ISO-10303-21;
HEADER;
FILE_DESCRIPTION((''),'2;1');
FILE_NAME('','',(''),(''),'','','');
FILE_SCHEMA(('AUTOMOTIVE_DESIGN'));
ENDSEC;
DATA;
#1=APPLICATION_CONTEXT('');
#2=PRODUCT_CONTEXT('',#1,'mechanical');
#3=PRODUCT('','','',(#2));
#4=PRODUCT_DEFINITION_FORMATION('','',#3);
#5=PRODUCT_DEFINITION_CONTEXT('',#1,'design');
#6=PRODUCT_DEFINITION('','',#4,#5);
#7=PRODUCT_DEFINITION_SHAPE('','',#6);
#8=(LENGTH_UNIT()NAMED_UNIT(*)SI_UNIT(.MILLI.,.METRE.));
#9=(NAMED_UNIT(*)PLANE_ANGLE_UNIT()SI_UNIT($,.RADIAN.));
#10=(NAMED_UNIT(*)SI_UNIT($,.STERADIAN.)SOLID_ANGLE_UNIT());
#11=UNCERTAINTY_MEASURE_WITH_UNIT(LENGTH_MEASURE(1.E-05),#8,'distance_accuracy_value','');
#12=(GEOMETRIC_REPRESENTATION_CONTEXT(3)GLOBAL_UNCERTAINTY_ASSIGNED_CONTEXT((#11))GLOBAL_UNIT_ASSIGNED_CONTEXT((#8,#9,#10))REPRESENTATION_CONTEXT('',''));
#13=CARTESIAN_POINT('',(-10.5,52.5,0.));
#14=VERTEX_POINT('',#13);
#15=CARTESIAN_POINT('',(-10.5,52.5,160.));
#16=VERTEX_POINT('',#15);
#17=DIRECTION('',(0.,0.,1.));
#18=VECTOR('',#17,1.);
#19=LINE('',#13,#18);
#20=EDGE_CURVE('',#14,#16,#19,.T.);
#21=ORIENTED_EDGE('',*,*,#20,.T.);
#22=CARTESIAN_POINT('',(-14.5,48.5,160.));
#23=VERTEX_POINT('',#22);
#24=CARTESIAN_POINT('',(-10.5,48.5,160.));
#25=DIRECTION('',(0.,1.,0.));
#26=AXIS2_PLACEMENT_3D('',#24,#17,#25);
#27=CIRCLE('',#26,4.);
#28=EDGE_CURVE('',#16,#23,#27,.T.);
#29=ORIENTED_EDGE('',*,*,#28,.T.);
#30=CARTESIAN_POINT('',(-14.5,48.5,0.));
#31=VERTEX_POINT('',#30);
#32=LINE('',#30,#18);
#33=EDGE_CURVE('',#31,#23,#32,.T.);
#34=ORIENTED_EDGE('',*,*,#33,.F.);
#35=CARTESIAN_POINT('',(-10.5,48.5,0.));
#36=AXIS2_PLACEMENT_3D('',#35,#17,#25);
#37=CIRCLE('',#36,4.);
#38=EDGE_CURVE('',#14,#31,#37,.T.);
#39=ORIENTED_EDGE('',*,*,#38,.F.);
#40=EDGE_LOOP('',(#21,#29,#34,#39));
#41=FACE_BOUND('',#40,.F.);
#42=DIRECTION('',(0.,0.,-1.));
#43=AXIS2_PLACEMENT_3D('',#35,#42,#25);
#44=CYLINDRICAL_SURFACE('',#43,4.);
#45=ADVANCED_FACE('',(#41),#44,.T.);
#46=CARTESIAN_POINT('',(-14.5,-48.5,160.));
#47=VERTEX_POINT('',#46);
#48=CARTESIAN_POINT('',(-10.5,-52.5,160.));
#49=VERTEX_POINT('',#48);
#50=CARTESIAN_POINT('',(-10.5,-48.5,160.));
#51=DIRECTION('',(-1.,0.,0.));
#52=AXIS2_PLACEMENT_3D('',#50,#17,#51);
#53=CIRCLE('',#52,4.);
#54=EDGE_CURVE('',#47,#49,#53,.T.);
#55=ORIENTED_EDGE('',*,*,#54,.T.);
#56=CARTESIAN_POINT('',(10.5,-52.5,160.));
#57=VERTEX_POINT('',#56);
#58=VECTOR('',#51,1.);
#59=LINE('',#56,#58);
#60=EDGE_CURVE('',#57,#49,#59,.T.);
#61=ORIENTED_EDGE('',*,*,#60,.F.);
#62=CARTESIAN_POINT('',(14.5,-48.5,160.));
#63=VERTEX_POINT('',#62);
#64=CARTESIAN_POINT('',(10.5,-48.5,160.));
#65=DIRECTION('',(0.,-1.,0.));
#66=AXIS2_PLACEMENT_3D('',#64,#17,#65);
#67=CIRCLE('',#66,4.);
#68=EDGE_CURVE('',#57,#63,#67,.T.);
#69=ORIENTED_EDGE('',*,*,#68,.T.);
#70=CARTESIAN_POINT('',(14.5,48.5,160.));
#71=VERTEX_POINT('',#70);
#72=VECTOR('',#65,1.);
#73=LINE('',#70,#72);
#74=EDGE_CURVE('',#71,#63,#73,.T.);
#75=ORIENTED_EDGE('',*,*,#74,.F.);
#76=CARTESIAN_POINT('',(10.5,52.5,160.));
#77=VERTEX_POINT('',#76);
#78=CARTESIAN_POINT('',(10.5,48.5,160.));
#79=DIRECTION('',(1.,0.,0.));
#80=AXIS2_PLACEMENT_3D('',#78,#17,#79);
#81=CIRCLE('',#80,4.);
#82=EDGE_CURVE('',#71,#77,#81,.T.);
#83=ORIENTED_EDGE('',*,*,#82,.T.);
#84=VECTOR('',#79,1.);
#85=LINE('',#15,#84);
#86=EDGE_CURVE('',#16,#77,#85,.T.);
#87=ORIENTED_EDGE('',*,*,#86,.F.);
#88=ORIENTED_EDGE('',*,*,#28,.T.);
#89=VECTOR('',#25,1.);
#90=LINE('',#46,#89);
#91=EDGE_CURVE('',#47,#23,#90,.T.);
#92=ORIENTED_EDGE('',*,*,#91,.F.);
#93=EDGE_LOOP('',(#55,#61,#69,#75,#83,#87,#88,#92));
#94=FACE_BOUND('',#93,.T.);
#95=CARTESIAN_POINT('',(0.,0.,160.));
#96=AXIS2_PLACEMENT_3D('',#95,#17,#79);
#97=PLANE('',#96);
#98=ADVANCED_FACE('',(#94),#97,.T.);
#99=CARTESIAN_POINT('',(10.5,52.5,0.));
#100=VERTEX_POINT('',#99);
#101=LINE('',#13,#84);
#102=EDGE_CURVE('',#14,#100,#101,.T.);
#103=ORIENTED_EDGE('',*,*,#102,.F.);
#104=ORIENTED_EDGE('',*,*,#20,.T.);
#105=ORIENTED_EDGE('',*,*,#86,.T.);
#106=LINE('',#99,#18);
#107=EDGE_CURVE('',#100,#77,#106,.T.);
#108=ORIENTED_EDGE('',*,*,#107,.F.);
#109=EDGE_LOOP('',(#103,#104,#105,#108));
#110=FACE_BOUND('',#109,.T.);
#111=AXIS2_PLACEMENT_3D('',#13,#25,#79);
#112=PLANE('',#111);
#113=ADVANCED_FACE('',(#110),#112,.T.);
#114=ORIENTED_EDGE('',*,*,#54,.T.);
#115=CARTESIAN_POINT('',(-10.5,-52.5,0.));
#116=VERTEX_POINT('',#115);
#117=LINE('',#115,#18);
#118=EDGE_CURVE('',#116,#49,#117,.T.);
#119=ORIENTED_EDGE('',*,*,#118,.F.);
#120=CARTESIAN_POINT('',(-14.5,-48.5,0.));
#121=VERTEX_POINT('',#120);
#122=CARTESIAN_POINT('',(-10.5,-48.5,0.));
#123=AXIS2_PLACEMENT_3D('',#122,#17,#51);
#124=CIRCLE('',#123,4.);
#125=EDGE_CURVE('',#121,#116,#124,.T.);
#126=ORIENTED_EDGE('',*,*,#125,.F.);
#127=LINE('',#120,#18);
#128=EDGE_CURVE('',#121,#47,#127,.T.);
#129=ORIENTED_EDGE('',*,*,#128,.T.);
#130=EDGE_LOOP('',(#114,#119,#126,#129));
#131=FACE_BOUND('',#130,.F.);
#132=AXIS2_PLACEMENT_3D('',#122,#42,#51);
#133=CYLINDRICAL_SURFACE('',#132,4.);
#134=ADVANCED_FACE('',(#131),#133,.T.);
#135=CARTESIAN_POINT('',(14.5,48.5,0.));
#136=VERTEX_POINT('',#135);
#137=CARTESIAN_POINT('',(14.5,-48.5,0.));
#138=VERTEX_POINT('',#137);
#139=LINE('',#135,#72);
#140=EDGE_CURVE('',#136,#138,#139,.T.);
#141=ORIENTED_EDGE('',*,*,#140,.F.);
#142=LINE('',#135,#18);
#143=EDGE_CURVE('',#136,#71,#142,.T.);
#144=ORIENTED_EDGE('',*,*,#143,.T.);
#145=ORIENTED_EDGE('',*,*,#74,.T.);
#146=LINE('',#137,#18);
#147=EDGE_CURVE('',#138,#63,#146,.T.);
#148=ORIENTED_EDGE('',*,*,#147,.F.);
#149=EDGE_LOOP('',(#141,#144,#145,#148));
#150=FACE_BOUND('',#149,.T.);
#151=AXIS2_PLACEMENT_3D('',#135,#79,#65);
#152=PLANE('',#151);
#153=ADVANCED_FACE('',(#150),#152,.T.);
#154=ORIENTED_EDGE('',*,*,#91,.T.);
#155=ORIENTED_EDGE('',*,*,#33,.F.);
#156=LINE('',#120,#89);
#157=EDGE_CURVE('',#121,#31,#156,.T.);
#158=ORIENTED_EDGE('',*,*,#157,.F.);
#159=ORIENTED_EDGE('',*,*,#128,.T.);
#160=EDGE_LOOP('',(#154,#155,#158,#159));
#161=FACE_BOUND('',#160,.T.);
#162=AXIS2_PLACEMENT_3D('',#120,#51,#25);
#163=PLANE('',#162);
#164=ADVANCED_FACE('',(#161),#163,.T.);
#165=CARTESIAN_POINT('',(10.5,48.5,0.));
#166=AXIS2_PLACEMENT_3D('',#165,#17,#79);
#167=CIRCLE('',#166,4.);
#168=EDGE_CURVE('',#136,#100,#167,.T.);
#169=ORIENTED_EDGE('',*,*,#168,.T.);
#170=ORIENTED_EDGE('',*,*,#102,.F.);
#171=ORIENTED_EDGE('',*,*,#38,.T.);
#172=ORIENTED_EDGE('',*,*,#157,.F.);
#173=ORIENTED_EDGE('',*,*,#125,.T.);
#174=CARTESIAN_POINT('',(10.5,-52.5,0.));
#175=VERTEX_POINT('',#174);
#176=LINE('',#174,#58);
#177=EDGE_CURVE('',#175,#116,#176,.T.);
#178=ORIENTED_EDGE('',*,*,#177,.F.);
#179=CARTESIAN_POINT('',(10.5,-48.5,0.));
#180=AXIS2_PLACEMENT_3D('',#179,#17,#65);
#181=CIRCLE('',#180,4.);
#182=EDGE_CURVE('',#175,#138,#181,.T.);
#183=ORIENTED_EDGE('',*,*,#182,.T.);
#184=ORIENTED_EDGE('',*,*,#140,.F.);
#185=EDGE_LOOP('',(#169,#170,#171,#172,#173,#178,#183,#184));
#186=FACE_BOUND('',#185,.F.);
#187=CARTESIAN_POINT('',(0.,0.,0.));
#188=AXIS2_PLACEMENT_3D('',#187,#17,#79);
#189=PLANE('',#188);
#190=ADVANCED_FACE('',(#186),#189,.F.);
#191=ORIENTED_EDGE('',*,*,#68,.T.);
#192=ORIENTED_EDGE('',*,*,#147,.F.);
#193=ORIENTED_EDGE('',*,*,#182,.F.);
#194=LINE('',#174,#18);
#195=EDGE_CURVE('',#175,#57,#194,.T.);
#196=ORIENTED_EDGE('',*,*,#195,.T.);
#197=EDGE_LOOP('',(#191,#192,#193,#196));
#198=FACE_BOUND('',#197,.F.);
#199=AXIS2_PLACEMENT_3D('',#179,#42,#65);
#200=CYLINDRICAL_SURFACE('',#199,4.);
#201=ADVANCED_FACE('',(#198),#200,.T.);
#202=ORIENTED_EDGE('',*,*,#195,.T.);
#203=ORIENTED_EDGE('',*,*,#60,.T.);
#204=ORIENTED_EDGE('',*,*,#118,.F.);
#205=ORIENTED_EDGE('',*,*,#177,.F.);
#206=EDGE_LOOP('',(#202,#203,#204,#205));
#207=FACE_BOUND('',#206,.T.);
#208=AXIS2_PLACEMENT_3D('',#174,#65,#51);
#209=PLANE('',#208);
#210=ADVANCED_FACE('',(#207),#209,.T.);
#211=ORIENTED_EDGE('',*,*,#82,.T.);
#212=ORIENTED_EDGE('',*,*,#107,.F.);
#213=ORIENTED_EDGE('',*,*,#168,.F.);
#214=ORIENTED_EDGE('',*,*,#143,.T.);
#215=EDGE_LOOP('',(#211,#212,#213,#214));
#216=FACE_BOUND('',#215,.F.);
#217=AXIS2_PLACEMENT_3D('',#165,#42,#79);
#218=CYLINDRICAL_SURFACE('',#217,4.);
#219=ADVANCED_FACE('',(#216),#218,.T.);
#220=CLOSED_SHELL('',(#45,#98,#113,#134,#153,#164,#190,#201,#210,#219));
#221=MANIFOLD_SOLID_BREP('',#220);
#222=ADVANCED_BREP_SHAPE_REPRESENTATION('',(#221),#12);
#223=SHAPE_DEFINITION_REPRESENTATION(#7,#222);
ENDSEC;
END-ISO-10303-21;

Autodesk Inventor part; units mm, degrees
ref_plane "YZ Plane" through (0, 0, 0) normal (1, 0, 0) x (0, 1, 0)
ref_plane "XZ Plane" through (0, 0, 0) normal (0, 1, 0) x (-1, 0, 0)
ref_plane "XY Plane" through (0, 0, 0) normal (0, 0, 1) x (1, 0, 0)
sketch "Sketch1" plane through (0, 0, 0) normal (0, 0, 1) x (1, 0, 0)
  line L0 (-10.5, 52.5) -> (10.5, 52.5)
  line L1 (14.5, 48.5) -> (14.5, -48.5)
  line L2 (10.5, -52.5) -> (-10.5, -52.5)
  line L3 (-14.5, -48.5) -> (-14.5, 48.5)
  line L4 (-14.5, 52.5) -> (14.5, -52.5) construction
  line L5 (14.5, 52.5) -> (-14.5, -52.5) construction
  arc A0 (14.5, 48.5) -> (10.5, 52.5) centre (10.5, 48.5) ccw
  arc A1 (-10.5, 52.5) -> (-14.5, 48.5) centre (-10.5, 48.5) ccw
  arc A2 (-14.5, -48.5) -> (-10.5, -52.5) centre (-10.5, -48.5) ccw
  arc A3 (10.5, -52.5) -> (14.5, -48.5) centre (10.5, -48.5) ccw
  point P0 (0, 0)
  dimension "d0" = 29
  dimension "d1" = 105
  dimension "d2" = 4
extrude "Extrusion1" add sketch "Sketch1" along normal blind 160
properties part number "USRPB210"
